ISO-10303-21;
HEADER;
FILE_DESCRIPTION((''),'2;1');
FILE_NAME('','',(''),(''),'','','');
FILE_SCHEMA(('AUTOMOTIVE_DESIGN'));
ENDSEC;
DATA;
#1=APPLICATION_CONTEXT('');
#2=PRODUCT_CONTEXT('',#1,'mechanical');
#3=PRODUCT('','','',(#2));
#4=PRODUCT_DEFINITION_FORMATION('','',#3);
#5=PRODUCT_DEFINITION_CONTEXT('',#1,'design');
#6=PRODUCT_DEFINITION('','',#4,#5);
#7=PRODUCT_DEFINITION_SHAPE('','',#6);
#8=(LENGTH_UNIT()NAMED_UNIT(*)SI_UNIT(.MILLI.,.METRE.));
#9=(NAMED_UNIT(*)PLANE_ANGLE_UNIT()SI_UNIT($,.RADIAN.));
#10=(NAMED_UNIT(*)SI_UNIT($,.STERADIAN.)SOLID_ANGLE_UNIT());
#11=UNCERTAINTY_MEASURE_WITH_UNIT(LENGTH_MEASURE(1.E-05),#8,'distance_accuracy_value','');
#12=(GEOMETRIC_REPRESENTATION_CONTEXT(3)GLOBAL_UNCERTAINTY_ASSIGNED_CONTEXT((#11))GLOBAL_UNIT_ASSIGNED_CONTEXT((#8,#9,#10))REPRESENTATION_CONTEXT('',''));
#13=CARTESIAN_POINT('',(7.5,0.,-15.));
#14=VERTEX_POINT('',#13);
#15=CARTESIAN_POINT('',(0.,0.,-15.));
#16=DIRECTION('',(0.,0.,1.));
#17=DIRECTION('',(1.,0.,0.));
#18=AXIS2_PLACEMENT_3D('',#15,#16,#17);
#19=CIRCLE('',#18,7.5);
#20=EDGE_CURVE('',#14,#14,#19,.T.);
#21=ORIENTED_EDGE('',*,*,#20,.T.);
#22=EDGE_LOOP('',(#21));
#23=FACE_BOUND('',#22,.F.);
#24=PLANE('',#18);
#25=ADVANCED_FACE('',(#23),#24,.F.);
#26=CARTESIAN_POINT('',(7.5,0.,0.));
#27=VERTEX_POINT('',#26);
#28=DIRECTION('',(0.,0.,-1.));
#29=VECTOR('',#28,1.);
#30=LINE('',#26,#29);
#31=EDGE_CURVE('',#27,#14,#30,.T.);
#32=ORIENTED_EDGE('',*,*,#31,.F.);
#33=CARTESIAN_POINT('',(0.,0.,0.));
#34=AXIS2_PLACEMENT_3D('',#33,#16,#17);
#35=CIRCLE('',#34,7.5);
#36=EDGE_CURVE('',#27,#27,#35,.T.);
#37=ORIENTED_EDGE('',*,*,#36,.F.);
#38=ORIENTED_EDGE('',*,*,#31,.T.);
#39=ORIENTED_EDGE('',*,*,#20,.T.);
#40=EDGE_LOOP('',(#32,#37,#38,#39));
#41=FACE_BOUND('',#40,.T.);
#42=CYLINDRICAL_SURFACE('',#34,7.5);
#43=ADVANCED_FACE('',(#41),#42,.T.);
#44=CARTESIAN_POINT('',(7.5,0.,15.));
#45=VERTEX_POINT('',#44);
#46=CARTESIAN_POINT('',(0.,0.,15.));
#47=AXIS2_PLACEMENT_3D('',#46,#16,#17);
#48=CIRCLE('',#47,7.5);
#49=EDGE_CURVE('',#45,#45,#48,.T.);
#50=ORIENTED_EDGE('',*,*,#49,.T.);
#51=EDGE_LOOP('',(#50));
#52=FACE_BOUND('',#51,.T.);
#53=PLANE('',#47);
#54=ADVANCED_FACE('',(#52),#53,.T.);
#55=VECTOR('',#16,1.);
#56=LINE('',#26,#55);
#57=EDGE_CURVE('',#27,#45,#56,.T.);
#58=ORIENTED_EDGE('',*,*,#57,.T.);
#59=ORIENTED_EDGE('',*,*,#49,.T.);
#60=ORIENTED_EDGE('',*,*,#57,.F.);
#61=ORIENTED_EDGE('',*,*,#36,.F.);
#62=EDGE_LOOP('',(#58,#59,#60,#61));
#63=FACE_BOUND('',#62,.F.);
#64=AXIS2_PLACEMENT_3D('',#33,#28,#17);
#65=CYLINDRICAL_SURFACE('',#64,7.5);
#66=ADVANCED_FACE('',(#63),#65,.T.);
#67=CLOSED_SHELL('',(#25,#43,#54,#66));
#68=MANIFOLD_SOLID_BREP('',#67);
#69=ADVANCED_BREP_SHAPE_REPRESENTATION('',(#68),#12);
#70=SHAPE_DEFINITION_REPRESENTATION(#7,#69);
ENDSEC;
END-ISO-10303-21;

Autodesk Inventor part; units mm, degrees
ref_plane "YZ Plane" through (0, 0, 0) normal (1, 0, 0) x (0, 1, 0)
ref_plane "XZ Plane" through (0, 0, 0) normal (0, 1, 0) x (-1, 0, 0)
ref_plane "XY Plane" through (0, 0, 0) normal (0, 0, 1) x (1, 0, 0)
sketch "Esboço1" plane through (0, 0, 0) normal (0, 0, 1) x (1, 0, 0)
  circle A0 centre (0, 0) radius 7.5
  dimension "d0" = 15
extrude "Extrusão1" add sketch "Esboço1" along normal mid plane 30
sketch "Esboço2" plane through (0, 0, 0) normal (1, 0, 0) x (0, 1, 0)
  line L0 (6.634, -15.5) -> (7.5, -15) construction
  line L1 (7.5, -15) -> (7.5, -16) construction
  line L2 (7.5, -16) -> (6.634, -15.5) construction
  line L3 (-7.5, -15) -> (7.5, -15) projected
  line L4 (7.5, -15) -> (7.5, -16)
  line L5 (7.5, -15) -> (7.5, 15) projected
  arc A0 (6.7617, -15.4262) -> (6.7617, -15.5738) centre (6.8043, -15.5) ccw
  line L6 (7.5, -16) -> (6.7617, -15.5738)
  line L7 (7.5, -15) -> (6.7617, -15.4262)
  point P0 (0, 0)
  point P1 (7.2113, -15.5)
  point P2 (6.7191, -15.5)
  dimension "d3" = 1
  dimension "d7" = 0.7809
  dimension "d8" = 0
